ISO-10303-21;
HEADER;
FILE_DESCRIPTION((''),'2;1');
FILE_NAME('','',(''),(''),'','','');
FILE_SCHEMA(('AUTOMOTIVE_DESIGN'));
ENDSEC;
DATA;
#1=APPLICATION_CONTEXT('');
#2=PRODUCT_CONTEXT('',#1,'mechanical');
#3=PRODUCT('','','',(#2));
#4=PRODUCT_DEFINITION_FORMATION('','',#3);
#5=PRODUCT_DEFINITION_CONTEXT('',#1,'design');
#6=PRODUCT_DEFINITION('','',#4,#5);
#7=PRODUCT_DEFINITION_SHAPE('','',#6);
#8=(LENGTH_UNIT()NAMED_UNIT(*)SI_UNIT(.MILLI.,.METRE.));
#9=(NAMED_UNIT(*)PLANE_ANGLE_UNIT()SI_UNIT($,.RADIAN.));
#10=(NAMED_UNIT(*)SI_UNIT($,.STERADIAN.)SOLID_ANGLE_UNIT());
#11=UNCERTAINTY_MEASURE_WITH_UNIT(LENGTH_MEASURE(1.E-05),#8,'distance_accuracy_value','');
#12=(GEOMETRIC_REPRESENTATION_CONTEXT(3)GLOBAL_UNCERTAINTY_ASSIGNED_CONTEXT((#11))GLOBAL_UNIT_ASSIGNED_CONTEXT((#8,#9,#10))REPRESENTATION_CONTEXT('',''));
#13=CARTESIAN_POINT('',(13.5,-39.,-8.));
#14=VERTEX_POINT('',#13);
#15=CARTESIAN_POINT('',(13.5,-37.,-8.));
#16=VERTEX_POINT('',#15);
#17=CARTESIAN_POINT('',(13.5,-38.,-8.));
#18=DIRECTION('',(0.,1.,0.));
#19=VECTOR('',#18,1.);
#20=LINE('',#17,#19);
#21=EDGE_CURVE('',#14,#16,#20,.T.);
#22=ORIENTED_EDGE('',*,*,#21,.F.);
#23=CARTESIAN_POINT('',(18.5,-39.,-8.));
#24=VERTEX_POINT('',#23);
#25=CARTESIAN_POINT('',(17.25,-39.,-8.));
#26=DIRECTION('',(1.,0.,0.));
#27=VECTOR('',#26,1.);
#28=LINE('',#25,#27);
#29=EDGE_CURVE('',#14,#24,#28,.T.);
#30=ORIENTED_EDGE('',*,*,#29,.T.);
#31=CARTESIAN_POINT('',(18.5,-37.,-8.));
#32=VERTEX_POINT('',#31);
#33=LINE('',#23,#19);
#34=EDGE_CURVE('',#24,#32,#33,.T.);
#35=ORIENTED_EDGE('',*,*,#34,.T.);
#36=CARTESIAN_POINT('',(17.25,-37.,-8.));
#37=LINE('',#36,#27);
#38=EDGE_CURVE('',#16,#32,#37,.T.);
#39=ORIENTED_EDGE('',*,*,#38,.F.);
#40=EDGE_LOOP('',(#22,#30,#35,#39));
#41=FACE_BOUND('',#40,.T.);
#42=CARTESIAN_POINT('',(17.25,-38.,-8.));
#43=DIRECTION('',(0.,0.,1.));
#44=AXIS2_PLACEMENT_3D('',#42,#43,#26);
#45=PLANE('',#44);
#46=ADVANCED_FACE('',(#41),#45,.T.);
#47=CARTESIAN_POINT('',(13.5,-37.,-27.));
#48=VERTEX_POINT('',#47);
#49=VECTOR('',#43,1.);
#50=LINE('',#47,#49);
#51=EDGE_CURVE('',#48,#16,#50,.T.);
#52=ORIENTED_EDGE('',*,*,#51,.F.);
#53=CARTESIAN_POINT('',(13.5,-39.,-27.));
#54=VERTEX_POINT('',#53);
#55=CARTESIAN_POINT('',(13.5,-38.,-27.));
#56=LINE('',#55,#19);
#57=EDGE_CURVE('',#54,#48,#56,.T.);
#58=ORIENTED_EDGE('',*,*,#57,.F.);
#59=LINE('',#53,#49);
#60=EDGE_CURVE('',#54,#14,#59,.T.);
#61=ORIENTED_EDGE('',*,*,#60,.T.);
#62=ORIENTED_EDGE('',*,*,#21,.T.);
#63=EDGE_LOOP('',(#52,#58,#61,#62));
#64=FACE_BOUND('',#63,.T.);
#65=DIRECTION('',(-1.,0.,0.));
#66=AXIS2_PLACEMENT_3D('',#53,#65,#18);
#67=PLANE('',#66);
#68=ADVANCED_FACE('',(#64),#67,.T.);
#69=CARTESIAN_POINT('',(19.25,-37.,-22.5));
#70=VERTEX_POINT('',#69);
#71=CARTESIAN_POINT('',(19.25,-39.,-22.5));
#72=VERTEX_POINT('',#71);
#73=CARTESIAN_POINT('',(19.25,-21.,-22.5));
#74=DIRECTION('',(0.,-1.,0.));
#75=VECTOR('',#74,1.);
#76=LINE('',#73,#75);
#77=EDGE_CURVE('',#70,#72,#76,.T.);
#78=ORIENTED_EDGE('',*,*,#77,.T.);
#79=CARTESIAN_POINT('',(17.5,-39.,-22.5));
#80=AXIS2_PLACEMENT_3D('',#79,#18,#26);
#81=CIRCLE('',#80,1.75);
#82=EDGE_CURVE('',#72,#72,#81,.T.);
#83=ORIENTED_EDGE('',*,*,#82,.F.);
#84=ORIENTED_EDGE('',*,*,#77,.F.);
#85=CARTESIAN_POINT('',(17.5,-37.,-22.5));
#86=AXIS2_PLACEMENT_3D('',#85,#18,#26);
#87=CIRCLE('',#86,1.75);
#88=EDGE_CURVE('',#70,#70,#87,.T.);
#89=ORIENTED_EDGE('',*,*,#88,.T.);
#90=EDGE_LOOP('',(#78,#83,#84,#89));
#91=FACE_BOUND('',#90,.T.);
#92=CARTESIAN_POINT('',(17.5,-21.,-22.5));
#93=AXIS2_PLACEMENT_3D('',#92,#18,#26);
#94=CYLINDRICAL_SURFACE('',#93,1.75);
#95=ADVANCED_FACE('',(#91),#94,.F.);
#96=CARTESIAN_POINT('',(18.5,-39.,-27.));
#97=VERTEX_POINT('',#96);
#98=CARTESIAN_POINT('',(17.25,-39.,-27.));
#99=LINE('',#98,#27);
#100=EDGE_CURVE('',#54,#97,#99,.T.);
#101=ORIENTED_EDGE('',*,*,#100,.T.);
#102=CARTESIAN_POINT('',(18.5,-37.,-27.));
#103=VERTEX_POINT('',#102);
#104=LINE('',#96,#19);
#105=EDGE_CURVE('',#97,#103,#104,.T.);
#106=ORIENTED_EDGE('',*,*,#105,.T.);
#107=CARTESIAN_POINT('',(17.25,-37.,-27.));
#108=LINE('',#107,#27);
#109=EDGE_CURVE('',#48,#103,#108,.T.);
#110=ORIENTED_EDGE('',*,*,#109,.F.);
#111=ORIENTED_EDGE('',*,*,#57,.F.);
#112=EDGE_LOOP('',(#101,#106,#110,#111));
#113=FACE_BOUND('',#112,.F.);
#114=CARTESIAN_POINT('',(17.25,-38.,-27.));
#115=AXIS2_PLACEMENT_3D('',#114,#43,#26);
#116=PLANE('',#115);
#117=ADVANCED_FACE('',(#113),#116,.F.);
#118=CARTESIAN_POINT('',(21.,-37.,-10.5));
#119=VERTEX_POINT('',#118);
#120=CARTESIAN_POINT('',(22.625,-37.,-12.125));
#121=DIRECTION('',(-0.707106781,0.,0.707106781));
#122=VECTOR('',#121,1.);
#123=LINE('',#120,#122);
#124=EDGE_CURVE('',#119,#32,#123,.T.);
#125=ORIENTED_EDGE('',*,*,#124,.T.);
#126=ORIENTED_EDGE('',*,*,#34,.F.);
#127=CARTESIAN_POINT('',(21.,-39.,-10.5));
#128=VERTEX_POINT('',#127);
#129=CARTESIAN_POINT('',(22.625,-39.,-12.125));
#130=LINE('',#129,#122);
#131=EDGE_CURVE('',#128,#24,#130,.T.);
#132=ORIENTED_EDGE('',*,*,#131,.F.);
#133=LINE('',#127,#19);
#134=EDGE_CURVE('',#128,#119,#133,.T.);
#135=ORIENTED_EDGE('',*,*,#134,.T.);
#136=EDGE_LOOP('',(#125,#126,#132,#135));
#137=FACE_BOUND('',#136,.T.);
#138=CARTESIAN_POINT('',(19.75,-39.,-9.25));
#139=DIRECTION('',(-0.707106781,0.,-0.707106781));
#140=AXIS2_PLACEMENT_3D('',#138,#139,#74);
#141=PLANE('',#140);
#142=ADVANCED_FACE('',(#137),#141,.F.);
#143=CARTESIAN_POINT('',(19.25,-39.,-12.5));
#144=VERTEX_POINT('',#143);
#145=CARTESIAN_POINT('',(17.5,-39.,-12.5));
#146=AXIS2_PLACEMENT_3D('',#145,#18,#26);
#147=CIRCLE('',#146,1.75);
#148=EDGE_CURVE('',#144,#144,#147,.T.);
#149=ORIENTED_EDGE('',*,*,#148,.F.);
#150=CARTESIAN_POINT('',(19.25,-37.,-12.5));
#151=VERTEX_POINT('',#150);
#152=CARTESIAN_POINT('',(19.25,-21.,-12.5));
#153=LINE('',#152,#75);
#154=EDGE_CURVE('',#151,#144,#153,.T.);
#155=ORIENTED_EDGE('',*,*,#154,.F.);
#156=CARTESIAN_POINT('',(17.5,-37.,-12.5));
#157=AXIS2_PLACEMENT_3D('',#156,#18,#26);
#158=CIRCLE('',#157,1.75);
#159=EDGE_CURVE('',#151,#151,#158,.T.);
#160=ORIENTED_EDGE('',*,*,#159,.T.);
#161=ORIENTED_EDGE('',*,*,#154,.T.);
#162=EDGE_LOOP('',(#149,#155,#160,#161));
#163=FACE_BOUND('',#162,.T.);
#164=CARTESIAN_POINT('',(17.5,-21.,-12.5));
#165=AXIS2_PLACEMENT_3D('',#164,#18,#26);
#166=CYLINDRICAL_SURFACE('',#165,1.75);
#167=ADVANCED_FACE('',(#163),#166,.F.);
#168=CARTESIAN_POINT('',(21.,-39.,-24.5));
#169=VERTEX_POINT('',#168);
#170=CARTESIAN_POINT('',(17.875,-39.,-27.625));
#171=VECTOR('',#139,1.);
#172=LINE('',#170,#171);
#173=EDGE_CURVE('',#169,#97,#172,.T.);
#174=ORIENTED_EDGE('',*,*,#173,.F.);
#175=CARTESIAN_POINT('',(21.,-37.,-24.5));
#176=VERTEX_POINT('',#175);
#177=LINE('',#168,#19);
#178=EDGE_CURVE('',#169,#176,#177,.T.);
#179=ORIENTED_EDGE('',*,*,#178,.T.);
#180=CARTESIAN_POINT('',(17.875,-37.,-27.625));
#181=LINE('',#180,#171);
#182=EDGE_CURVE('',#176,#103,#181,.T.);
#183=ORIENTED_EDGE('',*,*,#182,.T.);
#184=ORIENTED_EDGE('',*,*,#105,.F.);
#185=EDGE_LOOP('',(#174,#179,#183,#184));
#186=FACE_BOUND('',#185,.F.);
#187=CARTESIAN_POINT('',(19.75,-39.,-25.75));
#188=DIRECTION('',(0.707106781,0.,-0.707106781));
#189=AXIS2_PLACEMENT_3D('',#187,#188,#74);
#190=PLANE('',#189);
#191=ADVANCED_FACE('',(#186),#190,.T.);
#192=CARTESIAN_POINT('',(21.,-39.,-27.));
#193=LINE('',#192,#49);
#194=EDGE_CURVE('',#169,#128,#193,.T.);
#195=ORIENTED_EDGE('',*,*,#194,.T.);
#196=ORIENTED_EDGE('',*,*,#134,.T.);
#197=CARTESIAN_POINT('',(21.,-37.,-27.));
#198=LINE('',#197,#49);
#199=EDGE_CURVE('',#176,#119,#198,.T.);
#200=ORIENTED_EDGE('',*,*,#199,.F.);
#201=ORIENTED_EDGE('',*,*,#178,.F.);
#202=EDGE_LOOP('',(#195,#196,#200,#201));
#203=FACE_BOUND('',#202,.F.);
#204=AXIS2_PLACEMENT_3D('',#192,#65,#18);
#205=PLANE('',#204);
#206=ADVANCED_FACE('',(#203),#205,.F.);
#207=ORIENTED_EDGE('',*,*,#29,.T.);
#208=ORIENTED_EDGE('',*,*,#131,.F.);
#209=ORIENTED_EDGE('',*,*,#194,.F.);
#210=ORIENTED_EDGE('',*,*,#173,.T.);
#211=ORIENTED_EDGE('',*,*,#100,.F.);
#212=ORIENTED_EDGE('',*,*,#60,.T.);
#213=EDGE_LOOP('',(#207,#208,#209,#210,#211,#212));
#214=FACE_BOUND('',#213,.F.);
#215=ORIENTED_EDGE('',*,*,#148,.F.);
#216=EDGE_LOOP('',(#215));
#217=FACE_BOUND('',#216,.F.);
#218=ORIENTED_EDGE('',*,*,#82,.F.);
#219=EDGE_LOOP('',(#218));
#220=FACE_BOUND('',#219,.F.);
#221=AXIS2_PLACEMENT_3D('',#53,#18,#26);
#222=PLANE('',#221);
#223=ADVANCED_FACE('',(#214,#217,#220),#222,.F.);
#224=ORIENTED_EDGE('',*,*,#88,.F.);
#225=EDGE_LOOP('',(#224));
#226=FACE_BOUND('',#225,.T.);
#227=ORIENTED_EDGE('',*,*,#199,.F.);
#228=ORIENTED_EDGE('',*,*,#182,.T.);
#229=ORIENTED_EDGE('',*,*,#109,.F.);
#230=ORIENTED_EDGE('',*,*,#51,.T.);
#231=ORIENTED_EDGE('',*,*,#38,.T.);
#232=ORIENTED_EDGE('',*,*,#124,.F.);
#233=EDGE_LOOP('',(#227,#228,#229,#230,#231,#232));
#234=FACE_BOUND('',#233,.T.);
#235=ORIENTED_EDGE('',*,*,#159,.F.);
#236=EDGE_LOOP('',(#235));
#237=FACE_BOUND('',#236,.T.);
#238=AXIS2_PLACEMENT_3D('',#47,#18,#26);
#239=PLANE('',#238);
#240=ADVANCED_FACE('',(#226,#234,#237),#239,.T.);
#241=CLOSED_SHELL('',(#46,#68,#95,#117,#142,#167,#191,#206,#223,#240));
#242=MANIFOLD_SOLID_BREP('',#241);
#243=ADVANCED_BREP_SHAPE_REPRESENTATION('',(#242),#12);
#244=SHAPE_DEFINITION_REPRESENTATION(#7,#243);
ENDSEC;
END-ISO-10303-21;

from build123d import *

# Parameters (mm, degrees)
CYLINDER074_R          = 1.75
CYLINDER074_DEPTH      = 30
CYLINDER074_ROLL_ANGLE = 90
CYLINDER073_R          = 1.75
CYLINDER073_DEPTH      = 30
CYLINDER073_ROLL_ANGLE = 90
BOX067_W               = 7.5
BOX067_H               = 2
BOX067_DEPTH           = 19
CHAMFER012_SIZE        = 2.5


with BuildPart() as cylinder186:
    # Cylinder074 → Cylinder074 (new body)
    with BuildSketch(Plane.XY):
        Circle(CYLINDER074_R)
    extrude(amount=CYLINDER074_DEPTH)


with BuildPart() as cylinder186_1:
    # Cylinder074 roll: moved
    add(cylinder186.part.rotate(Axis((0, 0, 0), (1, 0, 0)), CYLINDER074_ROLL_ANGLE))


with BuildPart() as cylinder186_2:
    # Cylinder074 placement: moved
    add(cylinder186_1.part.moved(Location((17.5, -21, -22.5))))


with BuildPart() as fusion060:
    # Cylinder073 → Cylinder073 (new body)
    with BuildSketch(Plane.XY):
        Circle(CYLINDER073_R)
    extrude(amount=CYLINDER073_DEPTH)


with BuildPart() as fusion060_1:
    # Cylinder073 roll: moved
    add(fusion060.part.rotate(Axis((0, 0, 0), (1, 0, 0)), CYLINDER073_ROLL_ANGLE))


with BuildPart() as fusion060_2:
    # Cylinder073 placement: moved
    add(fusion060_1.part.moved(Location((17.5, -21, -12.5))))

    # Fusion060: union Cylinder186
    add(cylinder186_2.part)


with BuildPart() as spacer:
    # Box067 → Box067 (new body)
    with BuildSketch(Plane(origin=(13.5, -39, -27), x_dir=(1, 0, 0), z_dir=(0, 0, 1))):
        with Locations((3.75, 1)):
            Rectangle(BOX067_W, BOX067_H)
    extrude(amount=BOX067_DEPTH)

    # Chamfer012
    chamfer012_edges = [spacer.edges().sort_by_distance(p)[0] for p in [
        (21, -38, -8),
        (21, -38, -27),
    ]]
    chamfer(chamfer012_edges, length=CHAMFER012_SIZE)

    # Cut094: cut Fusion060
    add(fusion060_2.part, mode=Mode.SUBTRACT)


solid = spacer.part
